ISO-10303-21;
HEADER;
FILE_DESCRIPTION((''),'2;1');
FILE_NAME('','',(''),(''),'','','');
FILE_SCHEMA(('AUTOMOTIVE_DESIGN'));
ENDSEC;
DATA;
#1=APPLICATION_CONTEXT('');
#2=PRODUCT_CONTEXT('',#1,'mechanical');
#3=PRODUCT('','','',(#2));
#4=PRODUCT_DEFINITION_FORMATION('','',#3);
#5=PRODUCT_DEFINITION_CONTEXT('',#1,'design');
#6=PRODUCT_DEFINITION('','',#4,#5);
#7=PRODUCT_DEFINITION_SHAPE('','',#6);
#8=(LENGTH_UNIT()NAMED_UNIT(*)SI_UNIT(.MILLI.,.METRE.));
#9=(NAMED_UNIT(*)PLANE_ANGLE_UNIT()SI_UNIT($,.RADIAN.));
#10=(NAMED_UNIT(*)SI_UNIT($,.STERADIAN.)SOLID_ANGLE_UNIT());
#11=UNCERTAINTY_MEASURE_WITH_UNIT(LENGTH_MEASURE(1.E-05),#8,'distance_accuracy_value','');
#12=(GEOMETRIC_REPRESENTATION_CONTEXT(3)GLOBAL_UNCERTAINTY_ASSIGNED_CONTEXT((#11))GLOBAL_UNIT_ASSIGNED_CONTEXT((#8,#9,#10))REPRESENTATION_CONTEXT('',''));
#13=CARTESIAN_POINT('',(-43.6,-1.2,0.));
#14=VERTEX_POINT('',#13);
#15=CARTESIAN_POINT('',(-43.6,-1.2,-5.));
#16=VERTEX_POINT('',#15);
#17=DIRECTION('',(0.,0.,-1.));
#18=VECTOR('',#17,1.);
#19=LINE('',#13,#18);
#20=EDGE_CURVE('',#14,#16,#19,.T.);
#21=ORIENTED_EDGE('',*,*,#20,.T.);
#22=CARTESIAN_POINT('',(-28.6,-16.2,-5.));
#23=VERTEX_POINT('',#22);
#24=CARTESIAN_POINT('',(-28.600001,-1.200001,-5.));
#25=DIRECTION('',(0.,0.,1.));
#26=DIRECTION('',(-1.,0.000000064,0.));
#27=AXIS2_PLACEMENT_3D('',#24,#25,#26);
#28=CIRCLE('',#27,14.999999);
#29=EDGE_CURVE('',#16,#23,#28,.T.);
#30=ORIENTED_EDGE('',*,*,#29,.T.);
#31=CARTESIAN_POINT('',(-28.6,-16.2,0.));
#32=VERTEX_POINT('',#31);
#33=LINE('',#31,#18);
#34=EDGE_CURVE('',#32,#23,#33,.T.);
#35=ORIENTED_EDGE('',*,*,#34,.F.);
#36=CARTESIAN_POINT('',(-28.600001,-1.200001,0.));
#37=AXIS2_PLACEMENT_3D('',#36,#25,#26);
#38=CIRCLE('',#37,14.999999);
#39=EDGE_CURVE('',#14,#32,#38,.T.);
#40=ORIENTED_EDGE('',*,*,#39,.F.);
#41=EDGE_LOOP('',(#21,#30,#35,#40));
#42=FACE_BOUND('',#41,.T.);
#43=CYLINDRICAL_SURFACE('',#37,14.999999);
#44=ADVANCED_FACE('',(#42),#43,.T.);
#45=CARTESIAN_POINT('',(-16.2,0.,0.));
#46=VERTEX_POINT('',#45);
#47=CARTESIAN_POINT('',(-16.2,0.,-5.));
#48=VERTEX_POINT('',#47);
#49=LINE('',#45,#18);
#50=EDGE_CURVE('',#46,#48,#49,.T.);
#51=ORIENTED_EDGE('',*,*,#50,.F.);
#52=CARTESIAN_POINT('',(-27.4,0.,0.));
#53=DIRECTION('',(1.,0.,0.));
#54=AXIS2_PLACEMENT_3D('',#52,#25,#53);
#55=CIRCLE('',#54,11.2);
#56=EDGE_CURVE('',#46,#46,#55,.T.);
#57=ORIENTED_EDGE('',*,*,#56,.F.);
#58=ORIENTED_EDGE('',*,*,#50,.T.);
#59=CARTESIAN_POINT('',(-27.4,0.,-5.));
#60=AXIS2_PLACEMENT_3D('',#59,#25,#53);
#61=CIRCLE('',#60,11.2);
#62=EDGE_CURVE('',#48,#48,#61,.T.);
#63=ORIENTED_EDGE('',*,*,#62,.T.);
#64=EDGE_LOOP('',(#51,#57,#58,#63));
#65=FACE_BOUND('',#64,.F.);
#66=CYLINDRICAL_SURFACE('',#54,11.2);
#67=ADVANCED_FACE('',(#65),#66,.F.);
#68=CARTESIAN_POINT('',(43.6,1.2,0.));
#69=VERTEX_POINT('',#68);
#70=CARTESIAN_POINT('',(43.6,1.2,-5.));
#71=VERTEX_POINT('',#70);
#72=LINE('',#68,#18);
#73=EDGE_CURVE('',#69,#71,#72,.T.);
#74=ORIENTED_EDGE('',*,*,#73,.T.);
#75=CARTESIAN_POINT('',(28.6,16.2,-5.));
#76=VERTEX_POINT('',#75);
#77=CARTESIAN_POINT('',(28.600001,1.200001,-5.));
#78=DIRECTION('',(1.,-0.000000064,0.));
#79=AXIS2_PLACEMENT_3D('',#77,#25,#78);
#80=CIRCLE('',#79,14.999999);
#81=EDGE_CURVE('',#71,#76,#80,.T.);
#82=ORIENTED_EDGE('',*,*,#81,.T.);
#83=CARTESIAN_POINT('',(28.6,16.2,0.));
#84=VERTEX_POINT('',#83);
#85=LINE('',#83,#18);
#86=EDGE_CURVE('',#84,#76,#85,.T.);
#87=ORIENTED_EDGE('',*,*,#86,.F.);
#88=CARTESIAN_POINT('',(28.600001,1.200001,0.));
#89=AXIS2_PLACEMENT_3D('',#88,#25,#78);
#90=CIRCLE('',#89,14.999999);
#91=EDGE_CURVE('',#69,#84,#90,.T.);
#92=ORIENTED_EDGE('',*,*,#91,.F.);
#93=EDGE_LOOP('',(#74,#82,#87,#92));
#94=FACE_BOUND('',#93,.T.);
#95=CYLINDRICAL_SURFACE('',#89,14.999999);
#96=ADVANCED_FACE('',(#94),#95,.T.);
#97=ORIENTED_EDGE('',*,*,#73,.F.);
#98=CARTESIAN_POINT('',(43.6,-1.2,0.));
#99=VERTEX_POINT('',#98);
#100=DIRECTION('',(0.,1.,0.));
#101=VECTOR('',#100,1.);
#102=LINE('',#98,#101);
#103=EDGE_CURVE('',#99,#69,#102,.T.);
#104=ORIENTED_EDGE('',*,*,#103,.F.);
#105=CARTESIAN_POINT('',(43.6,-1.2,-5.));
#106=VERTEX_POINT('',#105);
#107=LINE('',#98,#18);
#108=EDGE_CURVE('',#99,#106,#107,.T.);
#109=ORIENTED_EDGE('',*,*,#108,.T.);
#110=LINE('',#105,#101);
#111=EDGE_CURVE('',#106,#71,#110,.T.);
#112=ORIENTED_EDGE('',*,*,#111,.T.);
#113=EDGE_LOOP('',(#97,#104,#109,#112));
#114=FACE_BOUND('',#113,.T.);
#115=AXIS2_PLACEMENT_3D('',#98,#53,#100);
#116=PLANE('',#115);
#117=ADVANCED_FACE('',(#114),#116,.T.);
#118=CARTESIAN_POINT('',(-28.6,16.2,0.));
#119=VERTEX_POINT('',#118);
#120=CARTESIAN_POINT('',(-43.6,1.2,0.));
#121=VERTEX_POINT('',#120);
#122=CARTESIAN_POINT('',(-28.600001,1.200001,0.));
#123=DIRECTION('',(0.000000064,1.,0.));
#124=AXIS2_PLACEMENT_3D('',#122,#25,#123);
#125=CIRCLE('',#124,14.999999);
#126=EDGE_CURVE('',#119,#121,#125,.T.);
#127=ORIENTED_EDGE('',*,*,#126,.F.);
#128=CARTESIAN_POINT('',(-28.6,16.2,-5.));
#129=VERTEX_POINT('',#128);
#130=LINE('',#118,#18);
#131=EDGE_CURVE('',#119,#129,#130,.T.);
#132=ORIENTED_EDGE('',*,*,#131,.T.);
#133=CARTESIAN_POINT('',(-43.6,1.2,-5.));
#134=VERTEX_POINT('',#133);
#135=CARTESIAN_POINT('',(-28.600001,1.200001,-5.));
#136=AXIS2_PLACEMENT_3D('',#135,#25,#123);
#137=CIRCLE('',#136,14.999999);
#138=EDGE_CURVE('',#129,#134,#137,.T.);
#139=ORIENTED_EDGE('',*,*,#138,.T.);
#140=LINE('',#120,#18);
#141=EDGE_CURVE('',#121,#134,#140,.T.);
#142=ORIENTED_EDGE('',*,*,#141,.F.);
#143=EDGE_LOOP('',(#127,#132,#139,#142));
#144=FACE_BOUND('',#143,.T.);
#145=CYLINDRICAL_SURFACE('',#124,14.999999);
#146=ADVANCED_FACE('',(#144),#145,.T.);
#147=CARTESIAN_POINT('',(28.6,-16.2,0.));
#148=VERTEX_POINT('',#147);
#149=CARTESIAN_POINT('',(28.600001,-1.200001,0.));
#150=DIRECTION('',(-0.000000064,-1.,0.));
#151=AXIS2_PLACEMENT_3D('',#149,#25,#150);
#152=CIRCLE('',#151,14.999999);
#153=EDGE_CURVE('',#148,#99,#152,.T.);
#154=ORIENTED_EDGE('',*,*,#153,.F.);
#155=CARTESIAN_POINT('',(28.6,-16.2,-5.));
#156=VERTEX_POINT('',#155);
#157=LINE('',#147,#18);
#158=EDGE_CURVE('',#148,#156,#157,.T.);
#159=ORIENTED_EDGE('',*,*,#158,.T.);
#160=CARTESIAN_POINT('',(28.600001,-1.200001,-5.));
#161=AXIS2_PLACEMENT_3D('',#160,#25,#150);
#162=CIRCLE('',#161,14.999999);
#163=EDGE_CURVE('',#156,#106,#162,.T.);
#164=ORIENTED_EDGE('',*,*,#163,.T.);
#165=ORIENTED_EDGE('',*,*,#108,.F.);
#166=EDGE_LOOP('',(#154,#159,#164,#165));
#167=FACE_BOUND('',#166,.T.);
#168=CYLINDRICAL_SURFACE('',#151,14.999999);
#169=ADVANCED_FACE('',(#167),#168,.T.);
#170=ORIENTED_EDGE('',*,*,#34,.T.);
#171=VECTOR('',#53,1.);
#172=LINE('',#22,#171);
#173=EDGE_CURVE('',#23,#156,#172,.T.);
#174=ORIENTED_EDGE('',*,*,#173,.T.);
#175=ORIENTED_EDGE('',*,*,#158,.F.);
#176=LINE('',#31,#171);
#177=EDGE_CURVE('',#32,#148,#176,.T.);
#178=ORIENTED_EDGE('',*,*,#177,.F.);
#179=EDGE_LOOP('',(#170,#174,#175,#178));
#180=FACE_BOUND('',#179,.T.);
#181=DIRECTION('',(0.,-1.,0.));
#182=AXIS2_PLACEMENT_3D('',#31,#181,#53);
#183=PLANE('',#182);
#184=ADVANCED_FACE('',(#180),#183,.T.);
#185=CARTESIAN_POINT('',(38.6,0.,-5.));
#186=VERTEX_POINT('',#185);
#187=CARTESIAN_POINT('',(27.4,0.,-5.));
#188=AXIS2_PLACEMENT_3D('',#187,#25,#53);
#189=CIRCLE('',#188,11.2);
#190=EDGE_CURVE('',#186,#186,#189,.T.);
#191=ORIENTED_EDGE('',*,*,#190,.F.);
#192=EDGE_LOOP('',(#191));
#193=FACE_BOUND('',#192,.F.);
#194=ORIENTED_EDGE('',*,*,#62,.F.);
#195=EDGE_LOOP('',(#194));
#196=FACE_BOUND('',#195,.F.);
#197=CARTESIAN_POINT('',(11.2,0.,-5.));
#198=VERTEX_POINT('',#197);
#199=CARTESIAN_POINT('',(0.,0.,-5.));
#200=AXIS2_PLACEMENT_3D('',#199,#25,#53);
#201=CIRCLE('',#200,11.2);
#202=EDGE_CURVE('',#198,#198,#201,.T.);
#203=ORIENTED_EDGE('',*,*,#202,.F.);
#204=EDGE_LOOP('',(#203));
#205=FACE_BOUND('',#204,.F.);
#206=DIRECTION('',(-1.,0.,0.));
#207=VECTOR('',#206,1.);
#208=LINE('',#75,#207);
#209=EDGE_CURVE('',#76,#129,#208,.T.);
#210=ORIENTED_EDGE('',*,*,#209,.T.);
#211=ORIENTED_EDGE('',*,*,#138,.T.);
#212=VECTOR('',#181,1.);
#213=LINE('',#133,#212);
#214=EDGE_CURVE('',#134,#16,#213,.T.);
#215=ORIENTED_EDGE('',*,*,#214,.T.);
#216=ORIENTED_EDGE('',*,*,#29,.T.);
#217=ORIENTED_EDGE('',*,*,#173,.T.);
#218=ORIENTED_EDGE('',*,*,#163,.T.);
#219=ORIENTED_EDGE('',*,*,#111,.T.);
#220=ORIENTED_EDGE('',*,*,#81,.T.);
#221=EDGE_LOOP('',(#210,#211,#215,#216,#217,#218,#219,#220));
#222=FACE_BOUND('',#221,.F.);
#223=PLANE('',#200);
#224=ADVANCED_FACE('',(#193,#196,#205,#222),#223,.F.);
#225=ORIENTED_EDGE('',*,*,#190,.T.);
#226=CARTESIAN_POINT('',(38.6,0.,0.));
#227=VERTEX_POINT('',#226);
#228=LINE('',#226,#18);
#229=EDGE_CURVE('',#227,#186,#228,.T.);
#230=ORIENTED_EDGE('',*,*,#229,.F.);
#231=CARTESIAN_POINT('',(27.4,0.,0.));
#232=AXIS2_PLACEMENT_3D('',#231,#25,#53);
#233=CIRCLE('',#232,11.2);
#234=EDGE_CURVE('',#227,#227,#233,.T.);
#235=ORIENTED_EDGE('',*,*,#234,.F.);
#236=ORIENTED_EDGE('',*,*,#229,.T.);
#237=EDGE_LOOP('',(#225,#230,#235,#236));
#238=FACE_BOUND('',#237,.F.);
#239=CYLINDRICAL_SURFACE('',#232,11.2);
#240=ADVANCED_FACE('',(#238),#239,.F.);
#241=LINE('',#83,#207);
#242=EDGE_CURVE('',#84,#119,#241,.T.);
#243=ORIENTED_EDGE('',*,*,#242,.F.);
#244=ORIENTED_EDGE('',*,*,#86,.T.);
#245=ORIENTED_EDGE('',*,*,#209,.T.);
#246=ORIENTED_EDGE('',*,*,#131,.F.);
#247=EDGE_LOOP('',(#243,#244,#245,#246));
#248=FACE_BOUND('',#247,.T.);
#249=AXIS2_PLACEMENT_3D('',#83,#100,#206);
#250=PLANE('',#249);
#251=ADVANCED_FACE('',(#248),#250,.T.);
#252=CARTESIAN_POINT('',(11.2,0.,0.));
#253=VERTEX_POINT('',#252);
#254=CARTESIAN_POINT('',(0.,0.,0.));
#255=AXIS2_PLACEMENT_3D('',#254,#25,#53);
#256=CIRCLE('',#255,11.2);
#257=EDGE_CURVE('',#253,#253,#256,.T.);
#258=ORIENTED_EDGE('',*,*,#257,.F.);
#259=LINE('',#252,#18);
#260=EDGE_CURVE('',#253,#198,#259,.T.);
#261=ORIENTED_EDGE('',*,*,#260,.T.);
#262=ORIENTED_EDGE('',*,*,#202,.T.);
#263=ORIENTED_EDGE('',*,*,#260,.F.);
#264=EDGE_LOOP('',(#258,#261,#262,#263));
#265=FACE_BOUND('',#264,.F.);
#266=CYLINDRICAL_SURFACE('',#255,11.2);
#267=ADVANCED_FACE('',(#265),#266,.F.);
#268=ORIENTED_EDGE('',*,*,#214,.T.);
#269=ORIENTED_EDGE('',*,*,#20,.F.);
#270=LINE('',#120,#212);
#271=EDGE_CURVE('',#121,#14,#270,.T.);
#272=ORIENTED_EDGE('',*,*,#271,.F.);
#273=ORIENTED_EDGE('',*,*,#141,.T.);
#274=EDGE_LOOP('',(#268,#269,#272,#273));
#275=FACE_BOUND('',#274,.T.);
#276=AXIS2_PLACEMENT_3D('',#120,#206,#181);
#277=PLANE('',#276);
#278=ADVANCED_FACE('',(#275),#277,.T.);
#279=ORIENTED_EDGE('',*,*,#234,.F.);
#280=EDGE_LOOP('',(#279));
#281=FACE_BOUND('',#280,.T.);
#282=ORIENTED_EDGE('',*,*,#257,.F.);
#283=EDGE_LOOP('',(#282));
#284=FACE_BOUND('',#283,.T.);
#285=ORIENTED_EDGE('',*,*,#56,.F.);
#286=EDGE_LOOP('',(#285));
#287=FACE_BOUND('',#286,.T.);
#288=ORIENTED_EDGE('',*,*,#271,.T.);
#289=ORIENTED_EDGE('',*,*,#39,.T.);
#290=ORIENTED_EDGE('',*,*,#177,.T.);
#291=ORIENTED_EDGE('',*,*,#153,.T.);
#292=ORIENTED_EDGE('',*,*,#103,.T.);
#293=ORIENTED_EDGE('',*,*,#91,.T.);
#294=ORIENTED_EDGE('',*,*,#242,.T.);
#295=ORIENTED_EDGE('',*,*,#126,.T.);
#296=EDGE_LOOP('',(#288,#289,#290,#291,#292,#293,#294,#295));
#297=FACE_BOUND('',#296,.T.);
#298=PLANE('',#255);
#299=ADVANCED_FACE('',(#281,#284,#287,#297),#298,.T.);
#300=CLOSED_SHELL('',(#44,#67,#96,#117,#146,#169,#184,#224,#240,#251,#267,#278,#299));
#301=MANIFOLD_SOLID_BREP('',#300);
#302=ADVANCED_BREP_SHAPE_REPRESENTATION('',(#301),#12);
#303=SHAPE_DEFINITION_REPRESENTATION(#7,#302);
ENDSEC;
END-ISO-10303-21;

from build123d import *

# Parameters (mm, degrees)
F0_R     = 11.2
F1_DEPTH = 5


with BuildPart() as f1:
    # F0 (on Top) → F1 (new body)
    with BuildSketch(Plane.XY):
        with BuildLine():
            Line((28.6, 16.2), (-28.6, 16.2))
            ThreePointArc((-28.6, 16.2), (-39.206602, 11.806602), (-43.6, 1.2))
            Line((-43.6, 1.2), (-43.6, -1.2))
            ThreePointArc((-43.6, -1.2), (-39.206602, -11.806602), (-28.6, -16.2))
            Line((-28.6, -16.2), (28.6, -16.2))
            ThreePointArc((28.6, -16.2), (39.206602, -11.806602), (43.6, -1.2))
            Line((43.6, -1.2), (43.6, 1.2))
            ThreePointArc((43.6, 1.2), (39.206602, 11.806602), (28.6, 16.2))
        make_face()
        with Locations((-27.4, 0)):
            Circle(F0_R, mode=Mode.SUBTRACT)
        Circle(F0_R, mode=Mode.SUBTRACT)
        with Locations((27.4, 0)):
            Circle(F0_R, mode=Mode.SUBTRACT)
    extrude(amount=-F1_DEPTH)


solid = f1.part
